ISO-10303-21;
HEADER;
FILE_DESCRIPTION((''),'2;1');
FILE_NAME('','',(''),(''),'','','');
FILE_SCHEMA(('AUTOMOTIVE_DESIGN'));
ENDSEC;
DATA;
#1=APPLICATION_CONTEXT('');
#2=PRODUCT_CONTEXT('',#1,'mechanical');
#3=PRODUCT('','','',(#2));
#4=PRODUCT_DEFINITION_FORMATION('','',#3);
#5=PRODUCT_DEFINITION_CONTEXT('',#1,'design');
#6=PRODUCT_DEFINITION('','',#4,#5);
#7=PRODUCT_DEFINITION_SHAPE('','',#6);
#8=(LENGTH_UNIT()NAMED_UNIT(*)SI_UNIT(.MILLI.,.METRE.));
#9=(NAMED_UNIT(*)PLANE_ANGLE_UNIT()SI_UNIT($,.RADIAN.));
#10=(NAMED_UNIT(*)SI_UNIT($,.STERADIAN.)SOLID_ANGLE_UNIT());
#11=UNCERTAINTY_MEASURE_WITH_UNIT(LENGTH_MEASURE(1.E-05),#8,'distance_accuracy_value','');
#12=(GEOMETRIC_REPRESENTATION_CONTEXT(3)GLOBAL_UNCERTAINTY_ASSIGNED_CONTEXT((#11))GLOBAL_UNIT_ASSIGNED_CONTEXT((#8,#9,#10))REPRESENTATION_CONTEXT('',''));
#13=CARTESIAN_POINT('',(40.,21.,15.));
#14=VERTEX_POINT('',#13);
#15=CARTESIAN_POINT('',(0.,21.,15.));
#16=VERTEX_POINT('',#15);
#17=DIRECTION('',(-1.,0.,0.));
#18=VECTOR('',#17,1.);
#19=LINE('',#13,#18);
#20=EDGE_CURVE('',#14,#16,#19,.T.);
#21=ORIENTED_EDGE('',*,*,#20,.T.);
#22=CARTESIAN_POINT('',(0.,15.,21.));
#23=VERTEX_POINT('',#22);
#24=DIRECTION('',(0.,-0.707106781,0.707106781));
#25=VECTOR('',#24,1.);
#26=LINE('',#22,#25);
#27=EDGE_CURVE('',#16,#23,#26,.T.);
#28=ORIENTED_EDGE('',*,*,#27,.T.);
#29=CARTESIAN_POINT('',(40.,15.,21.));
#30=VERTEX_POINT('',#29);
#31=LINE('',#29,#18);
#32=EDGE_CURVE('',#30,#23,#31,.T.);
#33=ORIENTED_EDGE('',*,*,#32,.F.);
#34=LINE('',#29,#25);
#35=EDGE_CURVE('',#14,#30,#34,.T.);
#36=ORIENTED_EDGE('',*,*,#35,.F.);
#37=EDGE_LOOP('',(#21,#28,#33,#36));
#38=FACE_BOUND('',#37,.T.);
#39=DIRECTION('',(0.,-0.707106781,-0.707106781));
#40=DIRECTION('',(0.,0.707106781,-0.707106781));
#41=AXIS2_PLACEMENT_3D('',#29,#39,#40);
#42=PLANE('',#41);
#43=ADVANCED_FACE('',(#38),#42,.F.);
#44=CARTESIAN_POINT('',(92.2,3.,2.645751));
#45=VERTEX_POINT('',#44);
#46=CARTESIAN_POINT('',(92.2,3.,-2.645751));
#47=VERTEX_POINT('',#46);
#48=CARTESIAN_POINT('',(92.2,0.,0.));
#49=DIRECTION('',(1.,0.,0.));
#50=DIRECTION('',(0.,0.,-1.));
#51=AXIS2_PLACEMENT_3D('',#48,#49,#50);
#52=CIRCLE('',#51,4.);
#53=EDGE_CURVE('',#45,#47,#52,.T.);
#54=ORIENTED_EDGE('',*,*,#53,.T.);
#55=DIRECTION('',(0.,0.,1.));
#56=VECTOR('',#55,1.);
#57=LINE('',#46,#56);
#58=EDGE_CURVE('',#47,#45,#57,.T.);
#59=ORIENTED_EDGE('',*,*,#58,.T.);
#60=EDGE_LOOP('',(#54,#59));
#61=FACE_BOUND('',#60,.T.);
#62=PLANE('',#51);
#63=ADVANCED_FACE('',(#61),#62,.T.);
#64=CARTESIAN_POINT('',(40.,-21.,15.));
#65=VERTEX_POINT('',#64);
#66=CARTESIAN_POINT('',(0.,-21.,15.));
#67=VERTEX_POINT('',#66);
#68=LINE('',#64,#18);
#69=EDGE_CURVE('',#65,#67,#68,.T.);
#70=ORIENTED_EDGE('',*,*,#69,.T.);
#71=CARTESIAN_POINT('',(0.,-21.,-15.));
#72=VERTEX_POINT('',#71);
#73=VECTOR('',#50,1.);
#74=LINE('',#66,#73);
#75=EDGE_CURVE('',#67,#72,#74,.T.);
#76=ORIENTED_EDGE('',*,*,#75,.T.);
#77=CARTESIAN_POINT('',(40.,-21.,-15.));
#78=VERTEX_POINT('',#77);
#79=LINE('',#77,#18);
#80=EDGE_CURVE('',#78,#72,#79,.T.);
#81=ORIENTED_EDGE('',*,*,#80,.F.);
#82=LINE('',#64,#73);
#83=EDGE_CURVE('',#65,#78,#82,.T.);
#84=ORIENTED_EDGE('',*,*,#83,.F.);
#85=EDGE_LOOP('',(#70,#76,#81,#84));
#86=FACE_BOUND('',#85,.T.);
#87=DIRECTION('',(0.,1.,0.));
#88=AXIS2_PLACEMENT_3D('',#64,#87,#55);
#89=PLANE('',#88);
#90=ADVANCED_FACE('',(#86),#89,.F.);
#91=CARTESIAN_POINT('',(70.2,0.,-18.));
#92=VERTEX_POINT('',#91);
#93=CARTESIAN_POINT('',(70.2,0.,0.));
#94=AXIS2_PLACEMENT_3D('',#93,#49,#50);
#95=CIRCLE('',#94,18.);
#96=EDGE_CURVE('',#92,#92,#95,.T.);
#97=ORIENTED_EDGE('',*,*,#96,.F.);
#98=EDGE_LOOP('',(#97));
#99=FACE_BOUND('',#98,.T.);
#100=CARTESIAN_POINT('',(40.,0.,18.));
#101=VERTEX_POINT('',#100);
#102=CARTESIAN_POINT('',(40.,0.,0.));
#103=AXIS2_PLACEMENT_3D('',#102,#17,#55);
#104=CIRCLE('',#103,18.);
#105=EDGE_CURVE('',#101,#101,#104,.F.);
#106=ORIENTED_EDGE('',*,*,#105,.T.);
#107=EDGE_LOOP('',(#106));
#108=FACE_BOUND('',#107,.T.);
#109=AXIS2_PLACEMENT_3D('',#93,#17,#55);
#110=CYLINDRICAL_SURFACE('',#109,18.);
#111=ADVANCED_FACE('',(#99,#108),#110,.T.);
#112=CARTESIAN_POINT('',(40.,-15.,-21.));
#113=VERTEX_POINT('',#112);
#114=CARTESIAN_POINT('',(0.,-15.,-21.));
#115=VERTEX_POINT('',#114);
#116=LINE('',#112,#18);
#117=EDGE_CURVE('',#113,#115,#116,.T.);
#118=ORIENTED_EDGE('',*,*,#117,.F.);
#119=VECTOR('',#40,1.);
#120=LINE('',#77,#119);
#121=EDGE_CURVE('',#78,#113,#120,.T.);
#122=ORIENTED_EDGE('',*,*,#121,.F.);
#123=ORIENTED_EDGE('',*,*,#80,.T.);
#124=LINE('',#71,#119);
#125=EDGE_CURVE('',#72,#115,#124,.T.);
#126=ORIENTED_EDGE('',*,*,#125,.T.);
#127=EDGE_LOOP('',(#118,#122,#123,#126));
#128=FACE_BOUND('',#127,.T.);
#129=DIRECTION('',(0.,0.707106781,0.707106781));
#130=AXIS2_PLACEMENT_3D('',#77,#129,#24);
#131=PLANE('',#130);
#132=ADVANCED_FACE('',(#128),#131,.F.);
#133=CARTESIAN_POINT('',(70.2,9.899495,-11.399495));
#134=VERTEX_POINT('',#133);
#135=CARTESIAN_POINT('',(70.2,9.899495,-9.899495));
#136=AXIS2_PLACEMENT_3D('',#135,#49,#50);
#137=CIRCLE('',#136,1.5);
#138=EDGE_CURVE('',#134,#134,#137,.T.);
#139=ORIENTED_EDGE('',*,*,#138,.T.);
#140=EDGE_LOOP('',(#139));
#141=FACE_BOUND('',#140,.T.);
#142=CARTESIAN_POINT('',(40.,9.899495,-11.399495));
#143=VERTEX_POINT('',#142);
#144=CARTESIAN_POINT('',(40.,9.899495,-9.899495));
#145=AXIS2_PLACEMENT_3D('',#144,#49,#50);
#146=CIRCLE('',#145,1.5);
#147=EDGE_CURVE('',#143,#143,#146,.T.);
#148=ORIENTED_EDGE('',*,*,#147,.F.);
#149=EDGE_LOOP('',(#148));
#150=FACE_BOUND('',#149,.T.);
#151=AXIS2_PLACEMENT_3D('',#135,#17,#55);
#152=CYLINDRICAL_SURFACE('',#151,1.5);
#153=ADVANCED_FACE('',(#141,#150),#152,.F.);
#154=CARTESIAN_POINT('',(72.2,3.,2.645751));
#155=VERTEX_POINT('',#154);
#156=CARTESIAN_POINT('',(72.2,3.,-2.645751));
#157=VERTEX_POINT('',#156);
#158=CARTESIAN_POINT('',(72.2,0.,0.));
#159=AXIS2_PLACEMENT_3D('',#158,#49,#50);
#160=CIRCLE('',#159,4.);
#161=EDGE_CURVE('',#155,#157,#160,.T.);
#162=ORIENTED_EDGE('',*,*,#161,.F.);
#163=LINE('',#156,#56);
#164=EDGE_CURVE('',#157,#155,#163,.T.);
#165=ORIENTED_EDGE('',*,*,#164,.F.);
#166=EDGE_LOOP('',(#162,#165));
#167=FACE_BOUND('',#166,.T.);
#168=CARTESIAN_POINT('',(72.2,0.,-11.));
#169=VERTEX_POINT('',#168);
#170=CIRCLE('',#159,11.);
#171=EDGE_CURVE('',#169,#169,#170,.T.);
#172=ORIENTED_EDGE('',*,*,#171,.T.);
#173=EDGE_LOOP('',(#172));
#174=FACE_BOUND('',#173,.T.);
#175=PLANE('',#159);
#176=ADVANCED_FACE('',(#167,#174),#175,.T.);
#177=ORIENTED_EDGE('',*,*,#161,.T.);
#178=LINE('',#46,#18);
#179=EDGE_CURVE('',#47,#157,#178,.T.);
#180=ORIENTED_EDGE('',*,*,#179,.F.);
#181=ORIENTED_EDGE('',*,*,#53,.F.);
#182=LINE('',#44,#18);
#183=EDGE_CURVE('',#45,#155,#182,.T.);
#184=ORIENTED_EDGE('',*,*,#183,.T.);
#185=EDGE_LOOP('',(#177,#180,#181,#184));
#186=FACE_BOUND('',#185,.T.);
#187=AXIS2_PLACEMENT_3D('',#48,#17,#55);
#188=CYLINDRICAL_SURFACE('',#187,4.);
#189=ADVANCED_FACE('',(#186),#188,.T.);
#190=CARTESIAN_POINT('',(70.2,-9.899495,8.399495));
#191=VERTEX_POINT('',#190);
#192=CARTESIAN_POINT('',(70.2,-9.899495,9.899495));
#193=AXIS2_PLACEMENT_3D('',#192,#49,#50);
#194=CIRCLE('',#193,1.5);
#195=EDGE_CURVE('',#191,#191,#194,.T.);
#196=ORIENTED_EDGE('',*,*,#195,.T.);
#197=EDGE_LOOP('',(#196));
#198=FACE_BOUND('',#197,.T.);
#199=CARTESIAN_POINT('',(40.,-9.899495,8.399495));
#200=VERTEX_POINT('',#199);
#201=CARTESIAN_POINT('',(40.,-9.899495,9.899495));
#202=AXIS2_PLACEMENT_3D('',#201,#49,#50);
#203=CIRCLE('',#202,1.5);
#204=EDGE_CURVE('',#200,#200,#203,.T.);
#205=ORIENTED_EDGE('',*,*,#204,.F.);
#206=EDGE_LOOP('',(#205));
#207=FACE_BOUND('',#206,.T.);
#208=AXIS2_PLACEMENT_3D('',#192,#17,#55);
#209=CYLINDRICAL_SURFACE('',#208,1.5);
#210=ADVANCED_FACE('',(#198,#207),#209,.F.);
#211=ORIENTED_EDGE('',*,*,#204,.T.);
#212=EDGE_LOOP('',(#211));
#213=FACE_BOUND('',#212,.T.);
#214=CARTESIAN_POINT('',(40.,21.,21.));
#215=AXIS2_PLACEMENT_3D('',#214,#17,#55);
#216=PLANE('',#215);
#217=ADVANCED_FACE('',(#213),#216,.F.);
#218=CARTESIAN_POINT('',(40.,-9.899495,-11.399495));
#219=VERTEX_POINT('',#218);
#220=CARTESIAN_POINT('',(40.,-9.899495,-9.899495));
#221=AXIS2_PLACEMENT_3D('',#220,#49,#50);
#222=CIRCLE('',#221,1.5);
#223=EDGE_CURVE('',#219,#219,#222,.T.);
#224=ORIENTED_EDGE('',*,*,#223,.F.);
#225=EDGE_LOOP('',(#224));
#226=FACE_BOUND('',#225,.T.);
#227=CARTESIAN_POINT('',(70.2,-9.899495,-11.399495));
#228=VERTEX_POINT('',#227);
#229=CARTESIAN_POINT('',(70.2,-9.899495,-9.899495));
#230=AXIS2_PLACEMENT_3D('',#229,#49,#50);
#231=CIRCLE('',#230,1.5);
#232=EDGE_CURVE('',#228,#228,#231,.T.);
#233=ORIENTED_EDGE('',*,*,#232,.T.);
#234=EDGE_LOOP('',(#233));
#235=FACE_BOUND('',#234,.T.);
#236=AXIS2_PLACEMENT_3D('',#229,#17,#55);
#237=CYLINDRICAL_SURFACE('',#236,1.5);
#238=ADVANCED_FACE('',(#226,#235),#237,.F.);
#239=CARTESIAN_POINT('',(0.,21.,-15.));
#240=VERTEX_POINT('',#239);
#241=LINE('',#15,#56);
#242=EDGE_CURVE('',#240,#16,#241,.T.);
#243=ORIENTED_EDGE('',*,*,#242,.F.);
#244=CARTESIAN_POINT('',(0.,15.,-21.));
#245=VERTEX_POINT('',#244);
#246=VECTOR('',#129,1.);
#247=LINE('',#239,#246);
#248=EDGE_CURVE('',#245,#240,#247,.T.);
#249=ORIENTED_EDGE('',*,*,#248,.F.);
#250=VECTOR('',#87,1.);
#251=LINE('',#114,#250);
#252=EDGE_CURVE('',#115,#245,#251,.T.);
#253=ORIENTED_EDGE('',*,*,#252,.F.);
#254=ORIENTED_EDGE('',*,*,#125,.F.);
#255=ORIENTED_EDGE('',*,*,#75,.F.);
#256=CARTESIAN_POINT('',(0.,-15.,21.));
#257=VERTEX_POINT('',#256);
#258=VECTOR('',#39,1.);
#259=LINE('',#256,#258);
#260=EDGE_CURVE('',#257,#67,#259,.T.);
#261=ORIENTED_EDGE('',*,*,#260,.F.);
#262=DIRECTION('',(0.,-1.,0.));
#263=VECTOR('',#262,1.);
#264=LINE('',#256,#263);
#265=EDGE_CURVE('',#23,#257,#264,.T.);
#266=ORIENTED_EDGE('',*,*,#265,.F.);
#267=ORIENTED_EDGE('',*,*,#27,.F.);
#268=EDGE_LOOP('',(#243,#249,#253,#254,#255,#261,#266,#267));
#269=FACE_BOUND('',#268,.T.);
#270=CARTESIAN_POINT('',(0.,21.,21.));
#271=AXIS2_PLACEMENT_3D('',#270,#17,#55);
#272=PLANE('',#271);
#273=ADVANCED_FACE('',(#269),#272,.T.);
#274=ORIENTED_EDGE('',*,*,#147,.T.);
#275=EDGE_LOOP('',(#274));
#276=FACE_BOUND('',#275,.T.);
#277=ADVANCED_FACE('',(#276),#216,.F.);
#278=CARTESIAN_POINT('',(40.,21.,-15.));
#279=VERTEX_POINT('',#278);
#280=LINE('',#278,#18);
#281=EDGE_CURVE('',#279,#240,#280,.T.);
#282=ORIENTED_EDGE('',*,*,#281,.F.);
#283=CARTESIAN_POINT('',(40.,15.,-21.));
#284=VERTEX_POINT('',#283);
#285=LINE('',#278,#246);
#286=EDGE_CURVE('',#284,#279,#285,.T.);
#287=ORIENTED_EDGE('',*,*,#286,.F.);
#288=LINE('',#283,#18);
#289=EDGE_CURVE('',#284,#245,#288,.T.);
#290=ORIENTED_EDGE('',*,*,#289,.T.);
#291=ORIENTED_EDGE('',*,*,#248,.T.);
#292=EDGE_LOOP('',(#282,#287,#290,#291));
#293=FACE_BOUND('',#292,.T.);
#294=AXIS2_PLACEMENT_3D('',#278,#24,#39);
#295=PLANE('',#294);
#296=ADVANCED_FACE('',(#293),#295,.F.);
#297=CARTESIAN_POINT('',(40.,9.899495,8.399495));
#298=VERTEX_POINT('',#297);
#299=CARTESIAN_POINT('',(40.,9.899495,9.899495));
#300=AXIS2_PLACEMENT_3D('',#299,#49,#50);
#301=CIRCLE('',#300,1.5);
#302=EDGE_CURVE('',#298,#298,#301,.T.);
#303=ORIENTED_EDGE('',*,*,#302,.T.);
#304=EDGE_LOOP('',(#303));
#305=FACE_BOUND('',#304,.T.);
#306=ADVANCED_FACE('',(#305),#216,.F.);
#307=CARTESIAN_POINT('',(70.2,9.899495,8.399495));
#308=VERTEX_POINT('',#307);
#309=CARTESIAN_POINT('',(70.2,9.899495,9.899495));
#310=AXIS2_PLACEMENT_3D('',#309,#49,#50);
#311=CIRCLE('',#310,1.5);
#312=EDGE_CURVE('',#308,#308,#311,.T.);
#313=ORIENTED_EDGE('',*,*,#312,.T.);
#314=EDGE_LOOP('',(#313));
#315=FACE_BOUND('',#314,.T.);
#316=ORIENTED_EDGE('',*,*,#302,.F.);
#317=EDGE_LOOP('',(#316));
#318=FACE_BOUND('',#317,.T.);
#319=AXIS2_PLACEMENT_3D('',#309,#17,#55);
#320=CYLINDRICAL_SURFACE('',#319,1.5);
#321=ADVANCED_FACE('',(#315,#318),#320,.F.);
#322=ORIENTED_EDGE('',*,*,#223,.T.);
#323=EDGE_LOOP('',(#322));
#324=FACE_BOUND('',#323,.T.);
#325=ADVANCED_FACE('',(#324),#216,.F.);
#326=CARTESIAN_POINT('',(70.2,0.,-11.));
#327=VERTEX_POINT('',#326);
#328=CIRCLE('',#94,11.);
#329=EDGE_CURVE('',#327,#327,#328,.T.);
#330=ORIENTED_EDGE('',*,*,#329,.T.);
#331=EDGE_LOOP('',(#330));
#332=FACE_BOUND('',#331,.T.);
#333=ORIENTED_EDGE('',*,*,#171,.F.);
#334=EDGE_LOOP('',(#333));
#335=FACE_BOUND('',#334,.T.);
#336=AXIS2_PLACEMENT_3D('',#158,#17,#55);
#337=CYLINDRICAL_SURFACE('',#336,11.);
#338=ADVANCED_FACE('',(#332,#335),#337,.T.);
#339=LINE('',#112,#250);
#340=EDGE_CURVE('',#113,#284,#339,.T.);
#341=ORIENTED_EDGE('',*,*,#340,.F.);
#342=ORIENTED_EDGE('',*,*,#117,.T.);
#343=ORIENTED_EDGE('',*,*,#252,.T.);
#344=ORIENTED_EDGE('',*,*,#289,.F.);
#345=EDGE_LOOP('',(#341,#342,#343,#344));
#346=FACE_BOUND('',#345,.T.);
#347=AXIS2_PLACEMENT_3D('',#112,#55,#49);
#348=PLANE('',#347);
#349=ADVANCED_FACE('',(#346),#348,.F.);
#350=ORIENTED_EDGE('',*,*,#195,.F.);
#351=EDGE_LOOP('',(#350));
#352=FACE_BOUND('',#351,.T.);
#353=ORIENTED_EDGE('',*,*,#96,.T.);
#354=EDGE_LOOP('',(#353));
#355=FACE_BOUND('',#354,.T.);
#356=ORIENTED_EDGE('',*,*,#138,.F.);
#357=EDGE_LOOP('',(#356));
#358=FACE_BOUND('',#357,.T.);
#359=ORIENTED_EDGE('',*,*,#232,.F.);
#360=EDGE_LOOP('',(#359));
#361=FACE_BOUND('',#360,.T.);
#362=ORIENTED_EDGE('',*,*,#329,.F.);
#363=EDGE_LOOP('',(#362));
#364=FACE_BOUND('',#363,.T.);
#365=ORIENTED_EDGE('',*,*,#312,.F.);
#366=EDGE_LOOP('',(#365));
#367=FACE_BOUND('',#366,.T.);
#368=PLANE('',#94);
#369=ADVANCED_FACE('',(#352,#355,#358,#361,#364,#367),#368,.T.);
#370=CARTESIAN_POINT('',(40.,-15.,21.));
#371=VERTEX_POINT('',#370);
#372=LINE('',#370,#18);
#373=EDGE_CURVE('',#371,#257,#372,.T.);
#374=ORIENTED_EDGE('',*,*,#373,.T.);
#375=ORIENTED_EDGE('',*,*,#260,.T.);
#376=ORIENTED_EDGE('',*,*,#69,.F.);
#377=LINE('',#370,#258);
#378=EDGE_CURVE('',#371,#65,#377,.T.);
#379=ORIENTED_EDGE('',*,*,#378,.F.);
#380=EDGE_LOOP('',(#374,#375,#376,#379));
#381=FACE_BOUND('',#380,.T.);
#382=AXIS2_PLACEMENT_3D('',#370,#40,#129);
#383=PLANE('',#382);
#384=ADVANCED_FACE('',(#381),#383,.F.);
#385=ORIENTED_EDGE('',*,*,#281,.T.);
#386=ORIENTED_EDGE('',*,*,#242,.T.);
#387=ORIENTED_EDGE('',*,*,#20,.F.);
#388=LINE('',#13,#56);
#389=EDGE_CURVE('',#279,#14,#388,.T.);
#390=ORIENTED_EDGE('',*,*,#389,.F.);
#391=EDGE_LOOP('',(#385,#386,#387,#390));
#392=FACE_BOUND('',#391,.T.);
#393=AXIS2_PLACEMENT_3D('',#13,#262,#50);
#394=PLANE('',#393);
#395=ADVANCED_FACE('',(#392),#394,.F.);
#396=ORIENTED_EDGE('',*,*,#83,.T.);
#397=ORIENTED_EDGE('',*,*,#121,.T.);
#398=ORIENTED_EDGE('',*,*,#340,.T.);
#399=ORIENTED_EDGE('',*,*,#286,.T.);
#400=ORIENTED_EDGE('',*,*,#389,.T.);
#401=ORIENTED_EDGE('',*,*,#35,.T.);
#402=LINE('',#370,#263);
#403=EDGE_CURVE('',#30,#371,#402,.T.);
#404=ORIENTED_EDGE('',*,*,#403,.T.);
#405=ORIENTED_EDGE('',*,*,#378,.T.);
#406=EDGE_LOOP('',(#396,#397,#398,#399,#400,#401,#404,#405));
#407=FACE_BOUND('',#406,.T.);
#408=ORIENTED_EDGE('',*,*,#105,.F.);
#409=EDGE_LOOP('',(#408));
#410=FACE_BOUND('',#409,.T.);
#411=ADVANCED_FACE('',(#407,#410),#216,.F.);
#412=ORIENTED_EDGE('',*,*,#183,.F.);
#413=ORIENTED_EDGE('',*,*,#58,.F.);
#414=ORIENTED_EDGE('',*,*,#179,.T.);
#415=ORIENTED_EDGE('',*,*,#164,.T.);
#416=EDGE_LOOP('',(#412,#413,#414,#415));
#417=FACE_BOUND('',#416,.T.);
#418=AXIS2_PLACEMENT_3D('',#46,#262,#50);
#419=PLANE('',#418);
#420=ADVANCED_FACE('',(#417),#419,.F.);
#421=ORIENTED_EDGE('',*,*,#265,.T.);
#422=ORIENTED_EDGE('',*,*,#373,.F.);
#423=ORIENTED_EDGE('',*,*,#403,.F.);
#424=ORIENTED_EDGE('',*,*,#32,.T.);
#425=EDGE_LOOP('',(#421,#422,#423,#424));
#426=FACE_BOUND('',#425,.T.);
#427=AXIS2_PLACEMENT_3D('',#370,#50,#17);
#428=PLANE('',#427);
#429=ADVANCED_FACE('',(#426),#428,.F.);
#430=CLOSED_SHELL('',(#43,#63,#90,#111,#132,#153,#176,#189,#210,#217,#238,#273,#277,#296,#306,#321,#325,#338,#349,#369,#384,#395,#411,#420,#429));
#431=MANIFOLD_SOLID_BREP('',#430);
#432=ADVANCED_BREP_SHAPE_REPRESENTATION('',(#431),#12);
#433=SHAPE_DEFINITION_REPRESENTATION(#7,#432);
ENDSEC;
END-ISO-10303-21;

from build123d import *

# Parameters (mm, degrees)
BOSS_EXTRUDE1_DEPTH = 40
SKETCH2_R           = 18
SKETCH2_R_2         = 1.5
BOSS_EXTRUDE2_DEPTH = 30.2
SKETCH3_R           = 11
BOSS_EXTRUDE3_DEPTH = 2
BOSS_EXTRUDE4_DEPTH = 20


with BuildPart() as part:
    # Sketch1 → Boss-Extrude1 (new body)
    with BuildSketch(Plane(origin=(0, 0, 0), x_dir=(0, 0, -1), z_dir=(1, 0, 0))):
        Polygon((-21, 15), (-15, 21), (15, 21), (21, 15), (21, -15), (15, -21), (-15, -21), (-21, -15), align=None)
    extrude(amount=BOSS_EXTRUDE1_DEPTH)

    # Sketch2 → Boss-Extrude2 (add)
    with BuildSketch(Plane(origin=(40, 0, 0), x_dir=(0, 0, -1), z_dir=(1, 0, 0))):
        Circle(SKETCH2_R)
        with Locations((-9.899494937, 9.899494937)):
            Circle(SKETCH2_R_2, mode=Mode.SUBTRACT)
        with Locations((9.899494937, 9.899494937)):
            Circle(SKETCH2_R_2, mode=Mode.SUBTRACT)
        with Locations((9.899494937, -9.899494937)):
            Circle(SKETCH2_R_2, mode=Mode.SUBTRACT)
        with Locations((-9.899494937, -9.899494937)):
            Circle(SKETCH2_R_2, mode=Mode.SUBTRACT)
    extrude(amount=BOSS_EXTRUDE2_DEPTH)

    # Sketch3 → Boss-Extrude3 (add)
    with BuildSketch(Plane(origin=(70.2, 0, 0), x_dir=(0, 0, -1), z_dir=(1, 0, 0))):
        Circle(SKETCH3_R)
    extrude(amount=BOSS_EXTRUDE3_DEPTH)

    # Sketch4 → Boss-Extrude4 (add)
    with BuildSketch(Plane(origin=(72.2, 0, 0), x_dir=(0, 0, -1), z_dir=(1, 0, 0))):
        with BuildLine():
            Line((2.645751311, 3), (-2.645751311, 3))
            ThreePointArc((-2.645751311, 3), (0, -4), (2.645751311, 3))
        make_face()
    extrude(amount=BOSS_EXTRUDE4_DEPTH)


solid = part.part
